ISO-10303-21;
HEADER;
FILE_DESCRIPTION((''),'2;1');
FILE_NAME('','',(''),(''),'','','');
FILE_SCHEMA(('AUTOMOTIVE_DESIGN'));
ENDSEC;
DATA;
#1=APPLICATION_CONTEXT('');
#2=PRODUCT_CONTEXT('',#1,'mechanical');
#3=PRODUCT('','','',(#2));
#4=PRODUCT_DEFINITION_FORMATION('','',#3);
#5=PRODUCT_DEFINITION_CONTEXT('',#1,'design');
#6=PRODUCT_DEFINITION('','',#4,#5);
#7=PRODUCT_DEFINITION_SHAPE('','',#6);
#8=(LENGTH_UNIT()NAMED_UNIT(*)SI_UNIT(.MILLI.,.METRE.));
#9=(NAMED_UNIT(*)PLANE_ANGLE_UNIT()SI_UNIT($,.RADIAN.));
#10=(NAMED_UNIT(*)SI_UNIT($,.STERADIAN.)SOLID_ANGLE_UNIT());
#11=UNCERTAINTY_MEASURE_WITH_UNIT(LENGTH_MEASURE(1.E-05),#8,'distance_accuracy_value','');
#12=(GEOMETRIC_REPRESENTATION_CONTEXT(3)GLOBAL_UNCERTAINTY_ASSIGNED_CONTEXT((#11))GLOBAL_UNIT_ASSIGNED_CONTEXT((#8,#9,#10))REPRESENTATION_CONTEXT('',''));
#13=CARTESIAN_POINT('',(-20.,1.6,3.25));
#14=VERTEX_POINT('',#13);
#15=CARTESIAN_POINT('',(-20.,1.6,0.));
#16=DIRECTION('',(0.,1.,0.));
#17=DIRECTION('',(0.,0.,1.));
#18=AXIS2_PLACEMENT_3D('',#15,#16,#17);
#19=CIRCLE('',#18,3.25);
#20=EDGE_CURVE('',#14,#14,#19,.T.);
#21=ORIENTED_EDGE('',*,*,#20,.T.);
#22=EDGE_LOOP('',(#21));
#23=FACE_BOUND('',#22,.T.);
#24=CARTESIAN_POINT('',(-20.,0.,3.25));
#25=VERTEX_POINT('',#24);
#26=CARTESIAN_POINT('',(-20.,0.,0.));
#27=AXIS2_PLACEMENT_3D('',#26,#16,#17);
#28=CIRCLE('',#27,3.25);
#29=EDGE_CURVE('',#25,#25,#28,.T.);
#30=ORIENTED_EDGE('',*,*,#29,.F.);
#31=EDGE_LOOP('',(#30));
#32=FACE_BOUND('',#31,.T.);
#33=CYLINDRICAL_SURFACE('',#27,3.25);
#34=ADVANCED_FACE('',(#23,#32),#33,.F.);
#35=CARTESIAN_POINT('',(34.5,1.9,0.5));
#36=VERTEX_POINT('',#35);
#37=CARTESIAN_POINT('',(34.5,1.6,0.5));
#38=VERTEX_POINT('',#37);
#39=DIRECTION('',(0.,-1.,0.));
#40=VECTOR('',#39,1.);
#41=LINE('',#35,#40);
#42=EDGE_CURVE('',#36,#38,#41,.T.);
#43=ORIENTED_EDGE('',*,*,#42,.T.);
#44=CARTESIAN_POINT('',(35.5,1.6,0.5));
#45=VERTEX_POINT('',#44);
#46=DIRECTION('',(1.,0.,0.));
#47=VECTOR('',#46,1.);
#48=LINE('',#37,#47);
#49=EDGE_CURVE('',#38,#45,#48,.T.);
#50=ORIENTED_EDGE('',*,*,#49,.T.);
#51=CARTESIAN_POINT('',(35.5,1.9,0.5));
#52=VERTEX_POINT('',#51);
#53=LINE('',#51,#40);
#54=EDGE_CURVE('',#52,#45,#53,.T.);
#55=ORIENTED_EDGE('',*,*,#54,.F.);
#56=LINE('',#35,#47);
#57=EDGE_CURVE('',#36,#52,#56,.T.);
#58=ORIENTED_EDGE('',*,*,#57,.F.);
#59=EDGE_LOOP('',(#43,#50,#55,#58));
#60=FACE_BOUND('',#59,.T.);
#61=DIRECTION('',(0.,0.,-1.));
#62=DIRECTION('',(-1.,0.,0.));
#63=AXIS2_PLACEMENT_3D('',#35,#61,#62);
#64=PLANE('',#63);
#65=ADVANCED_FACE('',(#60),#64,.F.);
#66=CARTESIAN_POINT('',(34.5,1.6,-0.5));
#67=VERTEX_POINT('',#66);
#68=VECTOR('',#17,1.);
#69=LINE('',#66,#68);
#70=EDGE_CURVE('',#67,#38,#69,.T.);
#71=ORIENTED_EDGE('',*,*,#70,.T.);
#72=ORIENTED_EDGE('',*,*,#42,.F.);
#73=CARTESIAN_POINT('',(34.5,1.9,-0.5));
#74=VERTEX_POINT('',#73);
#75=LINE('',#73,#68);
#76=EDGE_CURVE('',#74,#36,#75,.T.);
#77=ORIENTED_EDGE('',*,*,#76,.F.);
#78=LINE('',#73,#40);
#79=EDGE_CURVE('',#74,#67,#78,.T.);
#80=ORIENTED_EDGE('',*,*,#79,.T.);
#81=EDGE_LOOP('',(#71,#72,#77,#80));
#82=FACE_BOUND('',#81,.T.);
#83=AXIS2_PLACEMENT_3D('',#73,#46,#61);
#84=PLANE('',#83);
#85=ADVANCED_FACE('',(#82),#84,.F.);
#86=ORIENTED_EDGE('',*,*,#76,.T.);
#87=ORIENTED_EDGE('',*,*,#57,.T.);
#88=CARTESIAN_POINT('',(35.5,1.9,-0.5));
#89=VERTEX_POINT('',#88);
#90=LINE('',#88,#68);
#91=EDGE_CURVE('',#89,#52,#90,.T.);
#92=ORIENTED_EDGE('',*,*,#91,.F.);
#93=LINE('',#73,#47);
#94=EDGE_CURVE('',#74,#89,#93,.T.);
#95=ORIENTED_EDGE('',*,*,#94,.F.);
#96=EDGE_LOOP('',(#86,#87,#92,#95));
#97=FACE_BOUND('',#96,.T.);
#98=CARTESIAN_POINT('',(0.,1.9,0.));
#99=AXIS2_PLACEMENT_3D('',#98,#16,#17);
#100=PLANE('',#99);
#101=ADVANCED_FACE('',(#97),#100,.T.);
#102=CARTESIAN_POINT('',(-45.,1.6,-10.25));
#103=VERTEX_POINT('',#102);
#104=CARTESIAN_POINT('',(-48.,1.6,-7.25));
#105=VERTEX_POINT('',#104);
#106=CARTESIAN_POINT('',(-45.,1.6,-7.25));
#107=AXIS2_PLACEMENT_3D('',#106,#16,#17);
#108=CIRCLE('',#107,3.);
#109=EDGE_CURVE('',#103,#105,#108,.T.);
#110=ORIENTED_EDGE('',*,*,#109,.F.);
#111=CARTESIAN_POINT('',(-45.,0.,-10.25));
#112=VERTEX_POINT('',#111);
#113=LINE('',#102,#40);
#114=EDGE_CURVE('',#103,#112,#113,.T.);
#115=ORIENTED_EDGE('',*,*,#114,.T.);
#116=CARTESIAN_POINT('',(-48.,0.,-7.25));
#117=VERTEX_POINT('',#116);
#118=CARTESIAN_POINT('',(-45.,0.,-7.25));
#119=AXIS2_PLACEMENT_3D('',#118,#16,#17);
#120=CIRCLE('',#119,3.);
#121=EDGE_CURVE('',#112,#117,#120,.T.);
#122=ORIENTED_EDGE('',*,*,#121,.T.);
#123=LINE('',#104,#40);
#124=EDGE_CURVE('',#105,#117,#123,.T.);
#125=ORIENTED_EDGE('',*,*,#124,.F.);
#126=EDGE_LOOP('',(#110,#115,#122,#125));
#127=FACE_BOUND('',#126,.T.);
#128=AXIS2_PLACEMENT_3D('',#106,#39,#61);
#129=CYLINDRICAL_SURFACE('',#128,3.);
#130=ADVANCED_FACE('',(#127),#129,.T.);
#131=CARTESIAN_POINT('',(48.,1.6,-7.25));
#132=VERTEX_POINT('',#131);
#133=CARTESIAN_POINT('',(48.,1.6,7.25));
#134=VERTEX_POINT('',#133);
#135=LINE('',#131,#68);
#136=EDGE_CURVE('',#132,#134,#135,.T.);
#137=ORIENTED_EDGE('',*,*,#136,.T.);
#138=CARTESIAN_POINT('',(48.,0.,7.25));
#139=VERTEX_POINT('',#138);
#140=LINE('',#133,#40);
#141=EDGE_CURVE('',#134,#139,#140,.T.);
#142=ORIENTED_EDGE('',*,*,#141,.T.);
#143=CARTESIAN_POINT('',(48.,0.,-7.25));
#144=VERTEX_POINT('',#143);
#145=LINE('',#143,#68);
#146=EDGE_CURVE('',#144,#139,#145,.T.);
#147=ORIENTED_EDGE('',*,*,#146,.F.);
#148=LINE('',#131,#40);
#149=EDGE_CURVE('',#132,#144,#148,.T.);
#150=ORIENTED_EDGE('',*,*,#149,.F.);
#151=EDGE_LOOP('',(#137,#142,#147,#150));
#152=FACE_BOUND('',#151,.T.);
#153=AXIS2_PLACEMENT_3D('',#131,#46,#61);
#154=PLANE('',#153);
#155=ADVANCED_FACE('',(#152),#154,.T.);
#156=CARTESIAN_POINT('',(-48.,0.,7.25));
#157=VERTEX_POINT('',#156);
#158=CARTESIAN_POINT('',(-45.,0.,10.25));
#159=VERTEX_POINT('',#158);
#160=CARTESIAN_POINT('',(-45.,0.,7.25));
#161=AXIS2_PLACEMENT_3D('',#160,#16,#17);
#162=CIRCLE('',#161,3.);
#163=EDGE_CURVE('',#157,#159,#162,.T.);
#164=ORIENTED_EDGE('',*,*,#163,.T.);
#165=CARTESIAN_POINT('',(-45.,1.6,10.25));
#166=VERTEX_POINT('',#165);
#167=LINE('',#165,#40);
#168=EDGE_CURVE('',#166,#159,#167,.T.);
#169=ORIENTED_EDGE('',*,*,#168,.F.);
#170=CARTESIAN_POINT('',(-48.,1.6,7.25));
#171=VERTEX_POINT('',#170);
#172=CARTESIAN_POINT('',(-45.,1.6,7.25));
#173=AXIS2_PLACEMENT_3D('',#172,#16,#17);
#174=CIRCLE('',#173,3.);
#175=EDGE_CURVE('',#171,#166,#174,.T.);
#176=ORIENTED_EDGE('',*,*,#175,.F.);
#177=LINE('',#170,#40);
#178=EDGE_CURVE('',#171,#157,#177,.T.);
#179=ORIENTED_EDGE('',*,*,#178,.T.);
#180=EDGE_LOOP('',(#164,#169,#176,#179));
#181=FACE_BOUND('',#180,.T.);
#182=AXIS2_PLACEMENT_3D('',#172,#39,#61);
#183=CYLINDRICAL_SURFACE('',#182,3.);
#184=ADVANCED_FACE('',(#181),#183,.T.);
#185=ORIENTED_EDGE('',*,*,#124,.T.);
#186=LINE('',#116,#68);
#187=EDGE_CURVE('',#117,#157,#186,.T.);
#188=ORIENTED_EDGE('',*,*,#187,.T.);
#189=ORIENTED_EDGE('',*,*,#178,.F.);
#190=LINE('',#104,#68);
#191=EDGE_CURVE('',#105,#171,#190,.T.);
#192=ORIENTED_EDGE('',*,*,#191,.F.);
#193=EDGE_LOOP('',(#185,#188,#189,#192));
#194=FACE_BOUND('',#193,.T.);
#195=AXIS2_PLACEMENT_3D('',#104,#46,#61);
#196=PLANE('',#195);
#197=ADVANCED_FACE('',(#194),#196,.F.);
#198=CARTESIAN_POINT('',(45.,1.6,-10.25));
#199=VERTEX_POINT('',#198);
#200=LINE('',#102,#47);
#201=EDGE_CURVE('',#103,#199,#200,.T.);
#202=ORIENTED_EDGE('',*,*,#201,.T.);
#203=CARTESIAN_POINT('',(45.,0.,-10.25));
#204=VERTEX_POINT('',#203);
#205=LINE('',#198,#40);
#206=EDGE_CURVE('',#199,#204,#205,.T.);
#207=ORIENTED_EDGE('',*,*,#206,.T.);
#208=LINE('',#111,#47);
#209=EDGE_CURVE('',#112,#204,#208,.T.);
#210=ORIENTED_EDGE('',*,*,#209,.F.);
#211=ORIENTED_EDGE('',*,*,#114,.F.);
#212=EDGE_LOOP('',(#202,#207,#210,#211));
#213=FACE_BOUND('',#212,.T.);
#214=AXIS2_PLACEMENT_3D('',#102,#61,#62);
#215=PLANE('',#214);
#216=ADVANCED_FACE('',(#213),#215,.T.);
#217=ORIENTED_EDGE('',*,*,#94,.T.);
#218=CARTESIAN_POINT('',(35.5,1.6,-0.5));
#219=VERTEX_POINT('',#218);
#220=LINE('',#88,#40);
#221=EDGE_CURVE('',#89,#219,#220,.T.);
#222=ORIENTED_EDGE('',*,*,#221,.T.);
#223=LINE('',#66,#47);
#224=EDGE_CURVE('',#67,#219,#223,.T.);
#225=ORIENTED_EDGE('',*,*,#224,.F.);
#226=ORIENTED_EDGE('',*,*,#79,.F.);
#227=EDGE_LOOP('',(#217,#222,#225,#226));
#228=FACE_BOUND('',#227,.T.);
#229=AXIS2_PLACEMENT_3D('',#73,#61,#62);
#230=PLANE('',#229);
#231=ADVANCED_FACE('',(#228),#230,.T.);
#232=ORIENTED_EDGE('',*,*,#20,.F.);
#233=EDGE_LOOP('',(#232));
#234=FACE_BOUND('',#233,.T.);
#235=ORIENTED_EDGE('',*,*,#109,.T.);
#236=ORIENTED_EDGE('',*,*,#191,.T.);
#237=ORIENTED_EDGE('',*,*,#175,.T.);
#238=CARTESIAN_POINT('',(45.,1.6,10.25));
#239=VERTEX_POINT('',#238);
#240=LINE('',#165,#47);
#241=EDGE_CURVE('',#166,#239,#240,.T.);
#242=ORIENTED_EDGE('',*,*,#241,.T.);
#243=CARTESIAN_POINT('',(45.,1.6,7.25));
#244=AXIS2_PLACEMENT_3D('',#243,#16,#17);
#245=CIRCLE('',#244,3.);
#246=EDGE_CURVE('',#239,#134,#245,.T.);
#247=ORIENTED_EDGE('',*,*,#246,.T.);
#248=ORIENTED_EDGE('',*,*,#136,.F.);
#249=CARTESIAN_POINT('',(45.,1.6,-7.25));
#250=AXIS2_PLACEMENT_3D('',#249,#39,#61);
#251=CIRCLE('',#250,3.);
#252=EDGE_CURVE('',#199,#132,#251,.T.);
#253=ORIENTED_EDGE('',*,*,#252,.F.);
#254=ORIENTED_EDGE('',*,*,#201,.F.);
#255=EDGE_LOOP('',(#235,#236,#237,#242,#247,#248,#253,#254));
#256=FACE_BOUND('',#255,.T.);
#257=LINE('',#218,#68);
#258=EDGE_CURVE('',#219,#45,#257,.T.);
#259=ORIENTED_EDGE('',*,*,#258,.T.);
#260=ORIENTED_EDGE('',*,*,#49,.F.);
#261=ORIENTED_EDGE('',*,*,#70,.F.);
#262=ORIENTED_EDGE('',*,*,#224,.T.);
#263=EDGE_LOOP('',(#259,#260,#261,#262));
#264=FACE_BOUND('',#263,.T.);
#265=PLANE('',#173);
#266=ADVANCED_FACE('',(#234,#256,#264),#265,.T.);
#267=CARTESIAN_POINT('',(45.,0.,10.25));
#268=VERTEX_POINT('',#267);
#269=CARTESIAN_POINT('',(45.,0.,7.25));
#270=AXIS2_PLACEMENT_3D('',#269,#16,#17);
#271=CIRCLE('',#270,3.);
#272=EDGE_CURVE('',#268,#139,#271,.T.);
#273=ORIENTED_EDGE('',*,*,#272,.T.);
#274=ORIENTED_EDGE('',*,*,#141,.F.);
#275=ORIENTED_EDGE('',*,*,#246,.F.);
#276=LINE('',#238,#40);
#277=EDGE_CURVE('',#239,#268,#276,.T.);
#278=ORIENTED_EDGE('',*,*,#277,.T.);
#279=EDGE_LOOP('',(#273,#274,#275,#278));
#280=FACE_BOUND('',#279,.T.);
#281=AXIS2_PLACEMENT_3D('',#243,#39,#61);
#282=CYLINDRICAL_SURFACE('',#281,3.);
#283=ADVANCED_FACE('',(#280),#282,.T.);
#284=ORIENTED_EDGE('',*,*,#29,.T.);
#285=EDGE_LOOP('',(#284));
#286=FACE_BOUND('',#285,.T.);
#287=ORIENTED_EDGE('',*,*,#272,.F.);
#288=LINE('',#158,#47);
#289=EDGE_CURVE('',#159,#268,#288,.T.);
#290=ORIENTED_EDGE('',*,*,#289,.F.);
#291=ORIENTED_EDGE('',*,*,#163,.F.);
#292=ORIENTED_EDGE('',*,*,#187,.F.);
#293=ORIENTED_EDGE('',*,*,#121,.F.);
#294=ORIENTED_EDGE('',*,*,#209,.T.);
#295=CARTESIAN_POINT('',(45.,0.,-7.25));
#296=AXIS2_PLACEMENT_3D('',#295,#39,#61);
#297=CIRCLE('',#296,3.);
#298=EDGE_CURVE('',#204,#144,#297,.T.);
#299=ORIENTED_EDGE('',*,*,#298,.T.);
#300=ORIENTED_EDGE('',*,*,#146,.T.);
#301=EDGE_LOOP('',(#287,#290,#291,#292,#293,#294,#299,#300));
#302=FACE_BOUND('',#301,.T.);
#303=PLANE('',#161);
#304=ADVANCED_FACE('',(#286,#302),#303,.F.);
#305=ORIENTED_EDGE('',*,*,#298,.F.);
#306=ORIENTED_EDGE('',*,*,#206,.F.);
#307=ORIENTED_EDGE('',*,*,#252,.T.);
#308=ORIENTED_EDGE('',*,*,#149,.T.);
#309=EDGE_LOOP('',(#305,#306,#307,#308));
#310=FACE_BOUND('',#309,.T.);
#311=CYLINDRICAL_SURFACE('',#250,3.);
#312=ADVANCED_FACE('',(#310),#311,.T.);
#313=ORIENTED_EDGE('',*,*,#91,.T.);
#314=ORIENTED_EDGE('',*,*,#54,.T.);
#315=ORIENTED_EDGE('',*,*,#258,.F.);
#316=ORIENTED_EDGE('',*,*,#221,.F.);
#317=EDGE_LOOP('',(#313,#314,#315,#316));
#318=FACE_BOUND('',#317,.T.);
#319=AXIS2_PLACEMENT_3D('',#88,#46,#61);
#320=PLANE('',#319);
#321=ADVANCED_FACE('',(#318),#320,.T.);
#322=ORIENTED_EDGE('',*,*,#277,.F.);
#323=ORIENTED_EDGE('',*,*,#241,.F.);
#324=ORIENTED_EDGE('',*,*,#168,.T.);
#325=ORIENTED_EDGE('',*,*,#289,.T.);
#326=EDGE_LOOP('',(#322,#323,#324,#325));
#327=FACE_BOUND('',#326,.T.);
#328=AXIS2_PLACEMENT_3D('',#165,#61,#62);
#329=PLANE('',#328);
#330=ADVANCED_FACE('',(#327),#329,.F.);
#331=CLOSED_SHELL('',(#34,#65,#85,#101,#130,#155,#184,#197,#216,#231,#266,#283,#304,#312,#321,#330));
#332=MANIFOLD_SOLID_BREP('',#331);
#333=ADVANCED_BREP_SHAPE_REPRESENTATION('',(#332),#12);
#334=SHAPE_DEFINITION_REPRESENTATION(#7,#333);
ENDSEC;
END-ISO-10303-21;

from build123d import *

# Parameters (mm, degrees)
BOSS_EXTRUDE1_DEPTH = 1.6
SKETCH2_W           = 1
SKETCH2_H           = 1
BOSS_EXTRUDE2_DEPTH = 0.3
SKETCH3_R           = 3.25
CUT_EXTRUDE1_DEPTH  = 50.108273234


with BuildPart() as part:
    # Sketch1 → Boss-Extrude1 (new body)
    with BuildSketch(Plane(origin=(0, 0, 0), x_dir=(1, 0, 0), z_dir=(0, 1, 0))):
        with BuildLine():
            Line((-45, 10.25), (45, 10.25))
            ThreePointArc((45, 10.25), (47.121320344, 9.371320344), (48, 7.25))
            Line((48, 7.25), (48, -7.25))
            ThreePointArc((48, -7.25), (47.121320344, -9.371320344), (45, -10.25))
            Line((45, -10.25), (-45, -10.25))
            ThreePointArc((-45, -10.25), (-47.121320344, -9.371320344), (-48, -7.25))
            Line((-48, -7.25), (-48, 7.25))
            ThreePointArc((-48, 7.25), (-47.121320344, 9.371320344), (-45, 10.25))
        make_face()
    extrude(amount=BOSS_EXTRUDE1_DEPTH)

    # Sketch2 → Boss-Extrude2 (add)
    with BuildSketch(Plane(origin=(0, 1.6, 0), x_dir=(1, 0, 0), z_dir=(0, 1, 0))):
        with Locations((35, 0)):
            Rectangle(SKETCH2_W, SKETCH2_H)
    extrude(amount=BOSS_EXTRUDE2_DEPTH)

    # Sketch3 → Cut-Extrude1 (cut, through all)
    with BuildSketch(Plane(origin=(0, 1.6, 0), x_dir=(1, 0, 0), z_dir=(0, 1, 0))):
        with Locations(Location((-20, 0, 0), (0, 0, 270))):
            Circle(SKETCH3_R)
    extrude(amount=-CUT_EXTRUDE1_DEPTH, mode=Mode.SUBTRACT)


solid = part.part
